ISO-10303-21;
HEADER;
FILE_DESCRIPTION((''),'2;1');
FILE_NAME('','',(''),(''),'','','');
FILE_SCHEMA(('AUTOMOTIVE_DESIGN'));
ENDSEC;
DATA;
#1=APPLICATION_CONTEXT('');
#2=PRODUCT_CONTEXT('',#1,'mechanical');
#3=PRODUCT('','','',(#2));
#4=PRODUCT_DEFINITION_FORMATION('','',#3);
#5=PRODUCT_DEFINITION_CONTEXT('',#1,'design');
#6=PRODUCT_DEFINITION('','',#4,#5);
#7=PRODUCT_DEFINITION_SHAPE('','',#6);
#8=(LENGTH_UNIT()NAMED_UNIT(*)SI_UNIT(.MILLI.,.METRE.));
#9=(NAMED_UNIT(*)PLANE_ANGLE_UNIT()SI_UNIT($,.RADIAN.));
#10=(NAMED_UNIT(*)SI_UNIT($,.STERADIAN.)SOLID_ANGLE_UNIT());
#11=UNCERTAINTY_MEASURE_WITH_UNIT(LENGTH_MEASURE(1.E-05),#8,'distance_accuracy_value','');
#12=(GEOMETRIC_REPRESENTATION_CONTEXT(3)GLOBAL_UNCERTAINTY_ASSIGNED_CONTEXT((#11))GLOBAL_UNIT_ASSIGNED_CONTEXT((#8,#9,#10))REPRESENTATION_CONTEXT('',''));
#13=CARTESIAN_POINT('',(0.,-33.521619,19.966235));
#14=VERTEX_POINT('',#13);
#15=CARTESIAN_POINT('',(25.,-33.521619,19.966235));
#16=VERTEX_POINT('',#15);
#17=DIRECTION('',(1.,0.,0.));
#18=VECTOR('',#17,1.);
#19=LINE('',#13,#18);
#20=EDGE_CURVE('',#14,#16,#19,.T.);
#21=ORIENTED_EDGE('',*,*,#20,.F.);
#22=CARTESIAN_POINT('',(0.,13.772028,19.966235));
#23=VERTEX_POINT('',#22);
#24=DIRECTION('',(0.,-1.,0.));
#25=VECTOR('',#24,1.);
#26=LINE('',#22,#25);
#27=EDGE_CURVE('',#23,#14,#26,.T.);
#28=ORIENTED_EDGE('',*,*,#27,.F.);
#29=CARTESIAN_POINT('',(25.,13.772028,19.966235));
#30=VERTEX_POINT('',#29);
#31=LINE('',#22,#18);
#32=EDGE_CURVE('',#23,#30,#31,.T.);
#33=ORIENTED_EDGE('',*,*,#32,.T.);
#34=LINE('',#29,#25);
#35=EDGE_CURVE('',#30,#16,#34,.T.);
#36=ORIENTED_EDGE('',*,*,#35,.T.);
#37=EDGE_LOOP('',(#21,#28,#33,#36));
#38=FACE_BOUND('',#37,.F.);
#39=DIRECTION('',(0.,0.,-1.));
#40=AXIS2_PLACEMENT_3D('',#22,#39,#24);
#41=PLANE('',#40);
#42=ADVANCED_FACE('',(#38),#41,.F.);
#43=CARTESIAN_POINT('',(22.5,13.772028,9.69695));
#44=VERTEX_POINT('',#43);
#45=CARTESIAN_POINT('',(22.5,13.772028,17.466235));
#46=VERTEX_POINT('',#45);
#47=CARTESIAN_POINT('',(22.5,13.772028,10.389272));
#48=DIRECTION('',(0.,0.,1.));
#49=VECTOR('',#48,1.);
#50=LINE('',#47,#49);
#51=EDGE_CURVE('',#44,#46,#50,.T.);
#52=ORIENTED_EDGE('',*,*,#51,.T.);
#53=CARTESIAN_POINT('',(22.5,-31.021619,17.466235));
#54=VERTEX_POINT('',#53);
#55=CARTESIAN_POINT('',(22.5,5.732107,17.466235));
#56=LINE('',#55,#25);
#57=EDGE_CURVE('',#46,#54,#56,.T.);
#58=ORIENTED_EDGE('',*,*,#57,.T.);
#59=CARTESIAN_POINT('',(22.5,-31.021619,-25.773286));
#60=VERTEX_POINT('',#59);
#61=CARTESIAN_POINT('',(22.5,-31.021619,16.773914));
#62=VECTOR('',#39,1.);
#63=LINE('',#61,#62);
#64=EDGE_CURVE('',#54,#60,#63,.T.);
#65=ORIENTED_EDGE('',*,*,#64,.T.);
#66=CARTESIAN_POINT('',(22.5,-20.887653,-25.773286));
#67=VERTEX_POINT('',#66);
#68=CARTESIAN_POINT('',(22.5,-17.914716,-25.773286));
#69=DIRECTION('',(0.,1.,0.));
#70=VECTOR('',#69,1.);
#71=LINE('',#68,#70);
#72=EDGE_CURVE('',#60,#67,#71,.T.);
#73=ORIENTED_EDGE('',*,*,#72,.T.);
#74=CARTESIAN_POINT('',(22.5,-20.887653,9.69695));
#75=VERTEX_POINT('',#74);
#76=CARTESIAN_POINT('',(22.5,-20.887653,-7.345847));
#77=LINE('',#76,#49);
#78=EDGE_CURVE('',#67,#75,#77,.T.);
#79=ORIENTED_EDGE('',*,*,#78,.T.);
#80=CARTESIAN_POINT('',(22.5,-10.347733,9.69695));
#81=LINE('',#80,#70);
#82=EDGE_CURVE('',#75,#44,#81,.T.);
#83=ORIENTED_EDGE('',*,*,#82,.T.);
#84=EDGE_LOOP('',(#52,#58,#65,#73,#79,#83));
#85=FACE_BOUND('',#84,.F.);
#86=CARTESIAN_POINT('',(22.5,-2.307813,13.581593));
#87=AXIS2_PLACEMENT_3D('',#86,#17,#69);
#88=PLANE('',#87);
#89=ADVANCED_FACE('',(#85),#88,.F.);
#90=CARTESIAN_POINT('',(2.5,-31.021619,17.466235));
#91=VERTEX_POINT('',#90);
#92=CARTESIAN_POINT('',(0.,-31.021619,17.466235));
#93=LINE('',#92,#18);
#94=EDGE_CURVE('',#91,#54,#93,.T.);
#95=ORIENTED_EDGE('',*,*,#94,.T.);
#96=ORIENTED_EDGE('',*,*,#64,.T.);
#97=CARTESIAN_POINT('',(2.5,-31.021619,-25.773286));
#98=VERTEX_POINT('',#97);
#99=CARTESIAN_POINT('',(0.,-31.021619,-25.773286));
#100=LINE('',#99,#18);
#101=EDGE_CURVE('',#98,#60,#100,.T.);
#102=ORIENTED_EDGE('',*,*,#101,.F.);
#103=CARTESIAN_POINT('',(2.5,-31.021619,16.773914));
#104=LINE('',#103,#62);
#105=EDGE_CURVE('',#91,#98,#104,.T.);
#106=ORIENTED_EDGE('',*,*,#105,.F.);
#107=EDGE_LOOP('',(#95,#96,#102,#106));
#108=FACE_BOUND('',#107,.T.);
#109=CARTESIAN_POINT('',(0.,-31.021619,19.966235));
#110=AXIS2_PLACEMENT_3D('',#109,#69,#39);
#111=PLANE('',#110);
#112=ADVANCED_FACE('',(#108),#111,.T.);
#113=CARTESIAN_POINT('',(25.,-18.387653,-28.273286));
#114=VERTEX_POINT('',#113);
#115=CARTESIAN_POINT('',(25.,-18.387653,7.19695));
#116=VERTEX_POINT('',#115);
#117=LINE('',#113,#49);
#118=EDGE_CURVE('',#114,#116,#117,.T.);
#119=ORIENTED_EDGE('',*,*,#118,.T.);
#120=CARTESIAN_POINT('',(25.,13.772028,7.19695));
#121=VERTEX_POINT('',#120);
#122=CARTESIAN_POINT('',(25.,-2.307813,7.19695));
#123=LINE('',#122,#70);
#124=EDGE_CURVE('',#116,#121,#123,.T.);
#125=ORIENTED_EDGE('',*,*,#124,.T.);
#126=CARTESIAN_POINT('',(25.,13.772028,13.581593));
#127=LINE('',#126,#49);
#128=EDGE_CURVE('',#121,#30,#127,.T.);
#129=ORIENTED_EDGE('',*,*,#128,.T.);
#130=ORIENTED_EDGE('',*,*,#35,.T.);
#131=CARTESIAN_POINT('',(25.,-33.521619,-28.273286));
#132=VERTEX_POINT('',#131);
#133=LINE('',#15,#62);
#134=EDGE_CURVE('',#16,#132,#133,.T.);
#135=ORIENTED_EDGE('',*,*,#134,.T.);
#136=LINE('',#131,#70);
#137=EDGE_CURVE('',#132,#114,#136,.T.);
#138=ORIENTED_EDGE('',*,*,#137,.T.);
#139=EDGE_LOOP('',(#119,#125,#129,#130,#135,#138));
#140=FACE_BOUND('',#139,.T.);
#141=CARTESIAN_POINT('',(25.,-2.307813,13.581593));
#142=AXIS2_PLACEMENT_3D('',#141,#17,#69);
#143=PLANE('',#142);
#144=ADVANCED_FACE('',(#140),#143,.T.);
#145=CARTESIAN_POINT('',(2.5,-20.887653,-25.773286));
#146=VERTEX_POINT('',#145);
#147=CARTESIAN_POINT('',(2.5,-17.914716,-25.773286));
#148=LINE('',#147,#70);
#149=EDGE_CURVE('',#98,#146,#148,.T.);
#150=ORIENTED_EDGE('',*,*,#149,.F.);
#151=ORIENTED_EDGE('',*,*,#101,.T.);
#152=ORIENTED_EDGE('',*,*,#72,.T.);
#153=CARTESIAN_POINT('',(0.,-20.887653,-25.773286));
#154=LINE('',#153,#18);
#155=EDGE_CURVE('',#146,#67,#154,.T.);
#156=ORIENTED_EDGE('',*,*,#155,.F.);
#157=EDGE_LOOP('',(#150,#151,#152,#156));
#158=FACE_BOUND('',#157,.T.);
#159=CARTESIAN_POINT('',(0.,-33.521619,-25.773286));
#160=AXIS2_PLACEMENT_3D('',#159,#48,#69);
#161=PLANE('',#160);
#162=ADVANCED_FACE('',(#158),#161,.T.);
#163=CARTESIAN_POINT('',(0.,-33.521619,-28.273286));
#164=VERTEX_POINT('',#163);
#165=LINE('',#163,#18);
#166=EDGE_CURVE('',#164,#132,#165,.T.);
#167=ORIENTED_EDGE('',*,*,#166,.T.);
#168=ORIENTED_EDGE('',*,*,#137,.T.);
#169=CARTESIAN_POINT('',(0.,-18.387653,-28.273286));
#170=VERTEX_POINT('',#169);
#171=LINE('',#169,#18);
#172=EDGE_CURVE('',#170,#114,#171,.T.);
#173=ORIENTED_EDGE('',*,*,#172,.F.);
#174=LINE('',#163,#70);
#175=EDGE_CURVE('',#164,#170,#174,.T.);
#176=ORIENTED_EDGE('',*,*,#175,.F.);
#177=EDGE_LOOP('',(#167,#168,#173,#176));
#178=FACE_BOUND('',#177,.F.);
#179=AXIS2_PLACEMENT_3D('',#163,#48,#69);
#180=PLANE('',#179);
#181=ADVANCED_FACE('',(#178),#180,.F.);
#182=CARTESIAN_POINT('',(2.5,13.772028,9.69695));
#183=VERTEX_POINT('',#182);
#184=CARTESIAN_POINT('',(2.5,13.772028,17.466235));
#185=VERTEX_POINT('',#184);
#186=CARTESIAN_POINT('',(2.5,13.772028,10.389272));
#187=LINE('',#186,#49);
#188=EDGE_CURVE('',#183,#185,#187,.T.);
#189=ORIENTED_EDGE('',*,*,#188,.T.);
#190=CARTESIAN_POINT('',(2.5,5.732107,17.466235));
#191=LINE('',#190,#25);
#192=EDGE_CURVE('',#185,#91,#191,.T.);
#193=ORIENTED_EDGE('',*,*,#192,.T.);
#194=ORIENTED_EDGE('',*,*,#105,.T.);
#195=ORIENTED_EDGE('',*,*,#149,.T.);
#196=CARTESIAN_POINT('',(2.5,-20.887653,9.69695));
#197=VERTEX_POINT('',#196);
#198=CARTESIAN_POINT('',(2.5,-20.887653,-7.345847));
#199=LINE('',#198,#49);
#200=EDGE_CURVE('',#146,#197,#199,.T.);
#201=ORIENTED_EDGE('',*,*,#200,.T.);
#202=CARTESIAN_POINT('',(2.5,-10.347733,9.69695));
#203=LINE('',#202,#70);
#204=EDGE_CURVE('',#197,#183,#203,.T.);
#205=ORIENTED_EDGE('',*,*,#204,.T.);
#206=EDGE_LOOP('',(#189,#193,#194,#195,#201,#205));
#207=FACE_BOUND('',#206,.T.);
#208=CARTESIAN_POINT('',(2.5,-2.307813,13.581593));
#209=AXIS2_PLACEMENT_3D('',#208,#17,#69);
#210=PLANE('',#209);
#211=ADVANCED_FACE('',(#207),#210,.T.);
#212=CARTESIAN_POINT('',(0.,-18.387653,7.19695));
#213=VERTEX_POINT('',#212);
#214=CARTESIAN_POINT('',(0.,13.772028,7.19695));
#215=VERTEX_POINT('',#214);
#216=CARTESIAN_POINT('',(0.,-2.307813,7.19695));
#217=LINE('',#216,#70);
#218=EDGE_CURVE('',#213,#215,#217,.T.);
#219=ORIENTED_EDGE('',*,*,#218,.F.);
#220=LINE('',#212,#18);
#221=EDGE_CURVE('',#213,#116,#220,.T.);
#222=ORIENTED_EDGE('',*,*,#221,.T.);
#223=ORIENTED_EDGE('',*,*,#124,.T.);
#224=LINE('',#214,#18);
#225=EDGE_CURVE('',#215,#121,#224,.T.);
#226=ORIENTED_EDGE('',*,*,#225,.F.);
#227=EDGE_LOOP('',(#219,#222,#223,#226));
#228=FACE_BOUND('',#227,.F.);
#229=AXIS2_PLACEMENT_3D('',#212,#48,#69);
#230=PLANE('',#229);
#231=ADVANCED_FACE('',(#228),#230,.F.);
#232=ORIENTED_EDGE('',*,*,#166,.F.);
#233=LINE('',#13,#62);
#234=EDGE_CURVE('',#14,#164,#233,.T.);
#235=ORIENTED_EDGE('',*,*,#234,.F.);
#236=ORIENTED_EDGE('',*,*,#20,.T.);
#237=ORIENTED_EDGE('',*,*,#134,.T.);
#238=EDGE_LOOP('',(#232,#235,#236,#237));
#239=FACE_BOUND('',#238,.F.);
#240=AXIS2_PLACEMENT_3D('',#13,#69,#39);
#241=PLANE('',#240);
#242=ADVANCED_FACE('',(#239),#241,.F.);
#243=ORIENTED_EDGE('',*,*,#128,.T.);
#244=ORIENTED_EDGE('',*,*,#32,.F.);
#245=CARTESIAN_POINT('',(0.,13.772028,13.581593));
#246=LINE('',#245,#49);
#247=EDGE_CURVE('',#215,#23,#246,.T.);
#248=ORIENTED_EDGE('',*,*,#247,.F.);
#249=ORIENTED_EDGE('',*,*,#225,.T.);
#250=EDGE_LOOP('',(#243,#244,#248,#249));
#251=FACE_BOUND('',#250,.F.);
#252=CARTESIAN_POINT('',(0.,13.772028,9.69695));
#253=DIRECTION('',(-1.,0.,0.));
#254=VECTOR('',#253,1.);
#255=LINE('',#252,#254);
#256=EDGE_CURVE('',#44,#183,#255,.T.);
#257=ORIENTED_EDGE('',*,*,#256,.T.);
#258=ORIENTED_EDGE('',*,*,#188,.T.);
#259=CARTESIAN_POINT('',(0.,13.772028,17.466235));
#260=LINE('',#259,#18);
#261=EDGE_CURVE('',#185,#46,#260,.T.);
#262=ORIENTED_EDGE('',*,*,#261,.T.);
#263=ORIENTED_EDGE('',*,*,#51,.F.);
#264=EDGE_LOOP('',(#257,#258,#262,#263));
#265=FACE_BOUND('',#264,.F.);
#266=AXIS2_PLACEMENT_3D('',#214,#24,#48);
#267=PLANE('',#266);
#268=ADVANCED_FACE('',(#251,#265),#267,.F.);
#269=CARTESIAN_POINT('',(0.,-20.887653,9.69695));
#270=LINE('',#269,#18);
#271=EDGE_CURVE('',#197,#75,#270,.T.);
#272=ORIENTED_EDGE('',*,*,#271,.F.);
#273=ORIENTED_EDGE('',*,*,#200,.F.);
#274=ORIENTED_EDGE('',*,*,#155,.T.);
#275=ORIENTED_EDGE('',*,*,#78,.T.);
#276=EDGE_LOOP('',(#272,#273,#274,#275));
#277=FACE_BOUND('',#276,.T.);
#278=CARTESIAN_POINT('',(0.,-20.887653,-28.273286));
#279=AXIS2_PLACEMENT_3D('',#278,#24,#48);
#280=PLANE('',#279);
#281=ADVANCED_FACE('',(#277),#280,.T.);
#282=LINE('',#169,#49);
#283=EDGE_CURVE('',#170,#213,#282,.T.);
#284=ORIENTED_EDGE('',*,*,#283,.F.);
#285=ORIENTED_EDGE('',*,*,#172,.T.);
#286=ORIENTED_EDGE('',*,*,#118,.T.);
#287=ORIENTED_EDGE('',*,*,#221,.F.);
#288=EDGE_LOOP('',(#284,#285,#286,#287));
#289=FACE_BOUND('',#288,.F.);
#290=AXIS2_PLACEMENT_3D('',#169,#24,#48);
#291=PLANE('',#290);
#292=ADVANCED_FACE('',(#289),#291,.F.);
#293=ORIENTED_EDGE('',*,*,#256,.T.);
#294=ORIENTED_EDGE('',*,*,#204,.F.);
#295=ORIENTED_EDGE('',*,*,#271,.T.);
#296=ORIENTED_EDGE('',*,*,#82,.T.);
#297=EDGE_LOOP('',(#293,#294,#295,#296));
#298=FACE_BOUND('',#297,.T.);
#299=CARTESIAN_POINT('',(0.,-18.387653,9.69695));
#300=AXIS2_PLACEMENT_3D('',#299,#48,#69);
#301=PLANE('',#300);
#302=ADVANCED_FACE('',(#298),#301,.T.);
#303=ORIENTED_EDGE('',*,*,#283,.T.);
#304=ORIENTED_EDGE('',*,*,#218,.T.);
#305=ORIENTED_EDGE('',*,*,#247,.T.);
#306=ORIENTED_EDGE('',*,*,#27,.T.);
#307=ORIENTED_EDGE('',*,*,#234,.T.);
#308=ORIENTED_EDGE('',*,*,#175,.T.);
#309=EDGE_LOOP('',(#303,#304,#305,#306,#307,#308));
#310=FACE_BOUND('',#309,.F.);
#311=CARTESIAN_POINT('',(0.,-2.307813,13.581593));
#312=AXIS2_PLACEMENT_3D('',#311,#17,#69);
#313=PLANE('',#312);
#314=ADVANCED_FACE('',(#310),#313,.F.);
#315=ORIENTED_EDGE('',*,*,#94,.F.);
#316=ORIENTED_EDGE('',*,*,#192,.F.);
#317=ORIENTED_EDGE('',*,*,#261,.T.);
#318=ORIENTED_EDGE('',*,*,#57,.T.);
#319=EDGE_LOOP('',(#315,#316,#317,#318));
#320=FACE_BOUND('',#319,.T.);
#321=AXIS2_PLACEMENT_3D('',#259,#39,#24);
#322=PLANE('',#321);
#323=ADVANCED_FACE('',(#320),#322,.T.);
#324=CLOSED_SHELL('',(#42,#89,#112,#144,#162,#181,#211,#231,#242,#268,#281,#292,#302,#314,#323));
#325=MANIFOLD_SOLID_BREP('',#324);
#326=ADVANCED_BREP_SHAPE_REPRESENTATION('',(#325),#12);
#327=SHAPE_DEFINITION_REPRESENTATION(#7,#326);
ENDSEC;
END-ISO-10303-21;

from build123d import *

# Parameters (mm, degrees)
F0_W     = 32.1596805006
F0_H     = 12.7692851238
F1_DEPTH = 25
F2_T     = -2.5


with BuildPart() as f1:
    # F0 (on Right) → F1 (new body)
    with BuildSketch(Plane.YZ):
        with Locations((-2.3078126833, 13.5815928224)):
            Rectangle(F0_W, F0_H)
        Polygon((-18.3876529336, 19.9662353843), (-33.5216186941, 19.9662353843), (-33.5216186941, -28.2732862979), (-18.3876529336, -28.2732862979), (-18.3876529336, 7.1969502605), align=None)
    extrude(amount=F1_DEPTH)

    # F2
    f2_openings = [f1.faces().sort_by_distance(p)[0] for p in [
        (12.5, 13.772028, 13.581593),
    ]]
    offset(amount=F2_T, openings=f2_openings, kind=Kind.INTERSECTION)


solid = f1.part
